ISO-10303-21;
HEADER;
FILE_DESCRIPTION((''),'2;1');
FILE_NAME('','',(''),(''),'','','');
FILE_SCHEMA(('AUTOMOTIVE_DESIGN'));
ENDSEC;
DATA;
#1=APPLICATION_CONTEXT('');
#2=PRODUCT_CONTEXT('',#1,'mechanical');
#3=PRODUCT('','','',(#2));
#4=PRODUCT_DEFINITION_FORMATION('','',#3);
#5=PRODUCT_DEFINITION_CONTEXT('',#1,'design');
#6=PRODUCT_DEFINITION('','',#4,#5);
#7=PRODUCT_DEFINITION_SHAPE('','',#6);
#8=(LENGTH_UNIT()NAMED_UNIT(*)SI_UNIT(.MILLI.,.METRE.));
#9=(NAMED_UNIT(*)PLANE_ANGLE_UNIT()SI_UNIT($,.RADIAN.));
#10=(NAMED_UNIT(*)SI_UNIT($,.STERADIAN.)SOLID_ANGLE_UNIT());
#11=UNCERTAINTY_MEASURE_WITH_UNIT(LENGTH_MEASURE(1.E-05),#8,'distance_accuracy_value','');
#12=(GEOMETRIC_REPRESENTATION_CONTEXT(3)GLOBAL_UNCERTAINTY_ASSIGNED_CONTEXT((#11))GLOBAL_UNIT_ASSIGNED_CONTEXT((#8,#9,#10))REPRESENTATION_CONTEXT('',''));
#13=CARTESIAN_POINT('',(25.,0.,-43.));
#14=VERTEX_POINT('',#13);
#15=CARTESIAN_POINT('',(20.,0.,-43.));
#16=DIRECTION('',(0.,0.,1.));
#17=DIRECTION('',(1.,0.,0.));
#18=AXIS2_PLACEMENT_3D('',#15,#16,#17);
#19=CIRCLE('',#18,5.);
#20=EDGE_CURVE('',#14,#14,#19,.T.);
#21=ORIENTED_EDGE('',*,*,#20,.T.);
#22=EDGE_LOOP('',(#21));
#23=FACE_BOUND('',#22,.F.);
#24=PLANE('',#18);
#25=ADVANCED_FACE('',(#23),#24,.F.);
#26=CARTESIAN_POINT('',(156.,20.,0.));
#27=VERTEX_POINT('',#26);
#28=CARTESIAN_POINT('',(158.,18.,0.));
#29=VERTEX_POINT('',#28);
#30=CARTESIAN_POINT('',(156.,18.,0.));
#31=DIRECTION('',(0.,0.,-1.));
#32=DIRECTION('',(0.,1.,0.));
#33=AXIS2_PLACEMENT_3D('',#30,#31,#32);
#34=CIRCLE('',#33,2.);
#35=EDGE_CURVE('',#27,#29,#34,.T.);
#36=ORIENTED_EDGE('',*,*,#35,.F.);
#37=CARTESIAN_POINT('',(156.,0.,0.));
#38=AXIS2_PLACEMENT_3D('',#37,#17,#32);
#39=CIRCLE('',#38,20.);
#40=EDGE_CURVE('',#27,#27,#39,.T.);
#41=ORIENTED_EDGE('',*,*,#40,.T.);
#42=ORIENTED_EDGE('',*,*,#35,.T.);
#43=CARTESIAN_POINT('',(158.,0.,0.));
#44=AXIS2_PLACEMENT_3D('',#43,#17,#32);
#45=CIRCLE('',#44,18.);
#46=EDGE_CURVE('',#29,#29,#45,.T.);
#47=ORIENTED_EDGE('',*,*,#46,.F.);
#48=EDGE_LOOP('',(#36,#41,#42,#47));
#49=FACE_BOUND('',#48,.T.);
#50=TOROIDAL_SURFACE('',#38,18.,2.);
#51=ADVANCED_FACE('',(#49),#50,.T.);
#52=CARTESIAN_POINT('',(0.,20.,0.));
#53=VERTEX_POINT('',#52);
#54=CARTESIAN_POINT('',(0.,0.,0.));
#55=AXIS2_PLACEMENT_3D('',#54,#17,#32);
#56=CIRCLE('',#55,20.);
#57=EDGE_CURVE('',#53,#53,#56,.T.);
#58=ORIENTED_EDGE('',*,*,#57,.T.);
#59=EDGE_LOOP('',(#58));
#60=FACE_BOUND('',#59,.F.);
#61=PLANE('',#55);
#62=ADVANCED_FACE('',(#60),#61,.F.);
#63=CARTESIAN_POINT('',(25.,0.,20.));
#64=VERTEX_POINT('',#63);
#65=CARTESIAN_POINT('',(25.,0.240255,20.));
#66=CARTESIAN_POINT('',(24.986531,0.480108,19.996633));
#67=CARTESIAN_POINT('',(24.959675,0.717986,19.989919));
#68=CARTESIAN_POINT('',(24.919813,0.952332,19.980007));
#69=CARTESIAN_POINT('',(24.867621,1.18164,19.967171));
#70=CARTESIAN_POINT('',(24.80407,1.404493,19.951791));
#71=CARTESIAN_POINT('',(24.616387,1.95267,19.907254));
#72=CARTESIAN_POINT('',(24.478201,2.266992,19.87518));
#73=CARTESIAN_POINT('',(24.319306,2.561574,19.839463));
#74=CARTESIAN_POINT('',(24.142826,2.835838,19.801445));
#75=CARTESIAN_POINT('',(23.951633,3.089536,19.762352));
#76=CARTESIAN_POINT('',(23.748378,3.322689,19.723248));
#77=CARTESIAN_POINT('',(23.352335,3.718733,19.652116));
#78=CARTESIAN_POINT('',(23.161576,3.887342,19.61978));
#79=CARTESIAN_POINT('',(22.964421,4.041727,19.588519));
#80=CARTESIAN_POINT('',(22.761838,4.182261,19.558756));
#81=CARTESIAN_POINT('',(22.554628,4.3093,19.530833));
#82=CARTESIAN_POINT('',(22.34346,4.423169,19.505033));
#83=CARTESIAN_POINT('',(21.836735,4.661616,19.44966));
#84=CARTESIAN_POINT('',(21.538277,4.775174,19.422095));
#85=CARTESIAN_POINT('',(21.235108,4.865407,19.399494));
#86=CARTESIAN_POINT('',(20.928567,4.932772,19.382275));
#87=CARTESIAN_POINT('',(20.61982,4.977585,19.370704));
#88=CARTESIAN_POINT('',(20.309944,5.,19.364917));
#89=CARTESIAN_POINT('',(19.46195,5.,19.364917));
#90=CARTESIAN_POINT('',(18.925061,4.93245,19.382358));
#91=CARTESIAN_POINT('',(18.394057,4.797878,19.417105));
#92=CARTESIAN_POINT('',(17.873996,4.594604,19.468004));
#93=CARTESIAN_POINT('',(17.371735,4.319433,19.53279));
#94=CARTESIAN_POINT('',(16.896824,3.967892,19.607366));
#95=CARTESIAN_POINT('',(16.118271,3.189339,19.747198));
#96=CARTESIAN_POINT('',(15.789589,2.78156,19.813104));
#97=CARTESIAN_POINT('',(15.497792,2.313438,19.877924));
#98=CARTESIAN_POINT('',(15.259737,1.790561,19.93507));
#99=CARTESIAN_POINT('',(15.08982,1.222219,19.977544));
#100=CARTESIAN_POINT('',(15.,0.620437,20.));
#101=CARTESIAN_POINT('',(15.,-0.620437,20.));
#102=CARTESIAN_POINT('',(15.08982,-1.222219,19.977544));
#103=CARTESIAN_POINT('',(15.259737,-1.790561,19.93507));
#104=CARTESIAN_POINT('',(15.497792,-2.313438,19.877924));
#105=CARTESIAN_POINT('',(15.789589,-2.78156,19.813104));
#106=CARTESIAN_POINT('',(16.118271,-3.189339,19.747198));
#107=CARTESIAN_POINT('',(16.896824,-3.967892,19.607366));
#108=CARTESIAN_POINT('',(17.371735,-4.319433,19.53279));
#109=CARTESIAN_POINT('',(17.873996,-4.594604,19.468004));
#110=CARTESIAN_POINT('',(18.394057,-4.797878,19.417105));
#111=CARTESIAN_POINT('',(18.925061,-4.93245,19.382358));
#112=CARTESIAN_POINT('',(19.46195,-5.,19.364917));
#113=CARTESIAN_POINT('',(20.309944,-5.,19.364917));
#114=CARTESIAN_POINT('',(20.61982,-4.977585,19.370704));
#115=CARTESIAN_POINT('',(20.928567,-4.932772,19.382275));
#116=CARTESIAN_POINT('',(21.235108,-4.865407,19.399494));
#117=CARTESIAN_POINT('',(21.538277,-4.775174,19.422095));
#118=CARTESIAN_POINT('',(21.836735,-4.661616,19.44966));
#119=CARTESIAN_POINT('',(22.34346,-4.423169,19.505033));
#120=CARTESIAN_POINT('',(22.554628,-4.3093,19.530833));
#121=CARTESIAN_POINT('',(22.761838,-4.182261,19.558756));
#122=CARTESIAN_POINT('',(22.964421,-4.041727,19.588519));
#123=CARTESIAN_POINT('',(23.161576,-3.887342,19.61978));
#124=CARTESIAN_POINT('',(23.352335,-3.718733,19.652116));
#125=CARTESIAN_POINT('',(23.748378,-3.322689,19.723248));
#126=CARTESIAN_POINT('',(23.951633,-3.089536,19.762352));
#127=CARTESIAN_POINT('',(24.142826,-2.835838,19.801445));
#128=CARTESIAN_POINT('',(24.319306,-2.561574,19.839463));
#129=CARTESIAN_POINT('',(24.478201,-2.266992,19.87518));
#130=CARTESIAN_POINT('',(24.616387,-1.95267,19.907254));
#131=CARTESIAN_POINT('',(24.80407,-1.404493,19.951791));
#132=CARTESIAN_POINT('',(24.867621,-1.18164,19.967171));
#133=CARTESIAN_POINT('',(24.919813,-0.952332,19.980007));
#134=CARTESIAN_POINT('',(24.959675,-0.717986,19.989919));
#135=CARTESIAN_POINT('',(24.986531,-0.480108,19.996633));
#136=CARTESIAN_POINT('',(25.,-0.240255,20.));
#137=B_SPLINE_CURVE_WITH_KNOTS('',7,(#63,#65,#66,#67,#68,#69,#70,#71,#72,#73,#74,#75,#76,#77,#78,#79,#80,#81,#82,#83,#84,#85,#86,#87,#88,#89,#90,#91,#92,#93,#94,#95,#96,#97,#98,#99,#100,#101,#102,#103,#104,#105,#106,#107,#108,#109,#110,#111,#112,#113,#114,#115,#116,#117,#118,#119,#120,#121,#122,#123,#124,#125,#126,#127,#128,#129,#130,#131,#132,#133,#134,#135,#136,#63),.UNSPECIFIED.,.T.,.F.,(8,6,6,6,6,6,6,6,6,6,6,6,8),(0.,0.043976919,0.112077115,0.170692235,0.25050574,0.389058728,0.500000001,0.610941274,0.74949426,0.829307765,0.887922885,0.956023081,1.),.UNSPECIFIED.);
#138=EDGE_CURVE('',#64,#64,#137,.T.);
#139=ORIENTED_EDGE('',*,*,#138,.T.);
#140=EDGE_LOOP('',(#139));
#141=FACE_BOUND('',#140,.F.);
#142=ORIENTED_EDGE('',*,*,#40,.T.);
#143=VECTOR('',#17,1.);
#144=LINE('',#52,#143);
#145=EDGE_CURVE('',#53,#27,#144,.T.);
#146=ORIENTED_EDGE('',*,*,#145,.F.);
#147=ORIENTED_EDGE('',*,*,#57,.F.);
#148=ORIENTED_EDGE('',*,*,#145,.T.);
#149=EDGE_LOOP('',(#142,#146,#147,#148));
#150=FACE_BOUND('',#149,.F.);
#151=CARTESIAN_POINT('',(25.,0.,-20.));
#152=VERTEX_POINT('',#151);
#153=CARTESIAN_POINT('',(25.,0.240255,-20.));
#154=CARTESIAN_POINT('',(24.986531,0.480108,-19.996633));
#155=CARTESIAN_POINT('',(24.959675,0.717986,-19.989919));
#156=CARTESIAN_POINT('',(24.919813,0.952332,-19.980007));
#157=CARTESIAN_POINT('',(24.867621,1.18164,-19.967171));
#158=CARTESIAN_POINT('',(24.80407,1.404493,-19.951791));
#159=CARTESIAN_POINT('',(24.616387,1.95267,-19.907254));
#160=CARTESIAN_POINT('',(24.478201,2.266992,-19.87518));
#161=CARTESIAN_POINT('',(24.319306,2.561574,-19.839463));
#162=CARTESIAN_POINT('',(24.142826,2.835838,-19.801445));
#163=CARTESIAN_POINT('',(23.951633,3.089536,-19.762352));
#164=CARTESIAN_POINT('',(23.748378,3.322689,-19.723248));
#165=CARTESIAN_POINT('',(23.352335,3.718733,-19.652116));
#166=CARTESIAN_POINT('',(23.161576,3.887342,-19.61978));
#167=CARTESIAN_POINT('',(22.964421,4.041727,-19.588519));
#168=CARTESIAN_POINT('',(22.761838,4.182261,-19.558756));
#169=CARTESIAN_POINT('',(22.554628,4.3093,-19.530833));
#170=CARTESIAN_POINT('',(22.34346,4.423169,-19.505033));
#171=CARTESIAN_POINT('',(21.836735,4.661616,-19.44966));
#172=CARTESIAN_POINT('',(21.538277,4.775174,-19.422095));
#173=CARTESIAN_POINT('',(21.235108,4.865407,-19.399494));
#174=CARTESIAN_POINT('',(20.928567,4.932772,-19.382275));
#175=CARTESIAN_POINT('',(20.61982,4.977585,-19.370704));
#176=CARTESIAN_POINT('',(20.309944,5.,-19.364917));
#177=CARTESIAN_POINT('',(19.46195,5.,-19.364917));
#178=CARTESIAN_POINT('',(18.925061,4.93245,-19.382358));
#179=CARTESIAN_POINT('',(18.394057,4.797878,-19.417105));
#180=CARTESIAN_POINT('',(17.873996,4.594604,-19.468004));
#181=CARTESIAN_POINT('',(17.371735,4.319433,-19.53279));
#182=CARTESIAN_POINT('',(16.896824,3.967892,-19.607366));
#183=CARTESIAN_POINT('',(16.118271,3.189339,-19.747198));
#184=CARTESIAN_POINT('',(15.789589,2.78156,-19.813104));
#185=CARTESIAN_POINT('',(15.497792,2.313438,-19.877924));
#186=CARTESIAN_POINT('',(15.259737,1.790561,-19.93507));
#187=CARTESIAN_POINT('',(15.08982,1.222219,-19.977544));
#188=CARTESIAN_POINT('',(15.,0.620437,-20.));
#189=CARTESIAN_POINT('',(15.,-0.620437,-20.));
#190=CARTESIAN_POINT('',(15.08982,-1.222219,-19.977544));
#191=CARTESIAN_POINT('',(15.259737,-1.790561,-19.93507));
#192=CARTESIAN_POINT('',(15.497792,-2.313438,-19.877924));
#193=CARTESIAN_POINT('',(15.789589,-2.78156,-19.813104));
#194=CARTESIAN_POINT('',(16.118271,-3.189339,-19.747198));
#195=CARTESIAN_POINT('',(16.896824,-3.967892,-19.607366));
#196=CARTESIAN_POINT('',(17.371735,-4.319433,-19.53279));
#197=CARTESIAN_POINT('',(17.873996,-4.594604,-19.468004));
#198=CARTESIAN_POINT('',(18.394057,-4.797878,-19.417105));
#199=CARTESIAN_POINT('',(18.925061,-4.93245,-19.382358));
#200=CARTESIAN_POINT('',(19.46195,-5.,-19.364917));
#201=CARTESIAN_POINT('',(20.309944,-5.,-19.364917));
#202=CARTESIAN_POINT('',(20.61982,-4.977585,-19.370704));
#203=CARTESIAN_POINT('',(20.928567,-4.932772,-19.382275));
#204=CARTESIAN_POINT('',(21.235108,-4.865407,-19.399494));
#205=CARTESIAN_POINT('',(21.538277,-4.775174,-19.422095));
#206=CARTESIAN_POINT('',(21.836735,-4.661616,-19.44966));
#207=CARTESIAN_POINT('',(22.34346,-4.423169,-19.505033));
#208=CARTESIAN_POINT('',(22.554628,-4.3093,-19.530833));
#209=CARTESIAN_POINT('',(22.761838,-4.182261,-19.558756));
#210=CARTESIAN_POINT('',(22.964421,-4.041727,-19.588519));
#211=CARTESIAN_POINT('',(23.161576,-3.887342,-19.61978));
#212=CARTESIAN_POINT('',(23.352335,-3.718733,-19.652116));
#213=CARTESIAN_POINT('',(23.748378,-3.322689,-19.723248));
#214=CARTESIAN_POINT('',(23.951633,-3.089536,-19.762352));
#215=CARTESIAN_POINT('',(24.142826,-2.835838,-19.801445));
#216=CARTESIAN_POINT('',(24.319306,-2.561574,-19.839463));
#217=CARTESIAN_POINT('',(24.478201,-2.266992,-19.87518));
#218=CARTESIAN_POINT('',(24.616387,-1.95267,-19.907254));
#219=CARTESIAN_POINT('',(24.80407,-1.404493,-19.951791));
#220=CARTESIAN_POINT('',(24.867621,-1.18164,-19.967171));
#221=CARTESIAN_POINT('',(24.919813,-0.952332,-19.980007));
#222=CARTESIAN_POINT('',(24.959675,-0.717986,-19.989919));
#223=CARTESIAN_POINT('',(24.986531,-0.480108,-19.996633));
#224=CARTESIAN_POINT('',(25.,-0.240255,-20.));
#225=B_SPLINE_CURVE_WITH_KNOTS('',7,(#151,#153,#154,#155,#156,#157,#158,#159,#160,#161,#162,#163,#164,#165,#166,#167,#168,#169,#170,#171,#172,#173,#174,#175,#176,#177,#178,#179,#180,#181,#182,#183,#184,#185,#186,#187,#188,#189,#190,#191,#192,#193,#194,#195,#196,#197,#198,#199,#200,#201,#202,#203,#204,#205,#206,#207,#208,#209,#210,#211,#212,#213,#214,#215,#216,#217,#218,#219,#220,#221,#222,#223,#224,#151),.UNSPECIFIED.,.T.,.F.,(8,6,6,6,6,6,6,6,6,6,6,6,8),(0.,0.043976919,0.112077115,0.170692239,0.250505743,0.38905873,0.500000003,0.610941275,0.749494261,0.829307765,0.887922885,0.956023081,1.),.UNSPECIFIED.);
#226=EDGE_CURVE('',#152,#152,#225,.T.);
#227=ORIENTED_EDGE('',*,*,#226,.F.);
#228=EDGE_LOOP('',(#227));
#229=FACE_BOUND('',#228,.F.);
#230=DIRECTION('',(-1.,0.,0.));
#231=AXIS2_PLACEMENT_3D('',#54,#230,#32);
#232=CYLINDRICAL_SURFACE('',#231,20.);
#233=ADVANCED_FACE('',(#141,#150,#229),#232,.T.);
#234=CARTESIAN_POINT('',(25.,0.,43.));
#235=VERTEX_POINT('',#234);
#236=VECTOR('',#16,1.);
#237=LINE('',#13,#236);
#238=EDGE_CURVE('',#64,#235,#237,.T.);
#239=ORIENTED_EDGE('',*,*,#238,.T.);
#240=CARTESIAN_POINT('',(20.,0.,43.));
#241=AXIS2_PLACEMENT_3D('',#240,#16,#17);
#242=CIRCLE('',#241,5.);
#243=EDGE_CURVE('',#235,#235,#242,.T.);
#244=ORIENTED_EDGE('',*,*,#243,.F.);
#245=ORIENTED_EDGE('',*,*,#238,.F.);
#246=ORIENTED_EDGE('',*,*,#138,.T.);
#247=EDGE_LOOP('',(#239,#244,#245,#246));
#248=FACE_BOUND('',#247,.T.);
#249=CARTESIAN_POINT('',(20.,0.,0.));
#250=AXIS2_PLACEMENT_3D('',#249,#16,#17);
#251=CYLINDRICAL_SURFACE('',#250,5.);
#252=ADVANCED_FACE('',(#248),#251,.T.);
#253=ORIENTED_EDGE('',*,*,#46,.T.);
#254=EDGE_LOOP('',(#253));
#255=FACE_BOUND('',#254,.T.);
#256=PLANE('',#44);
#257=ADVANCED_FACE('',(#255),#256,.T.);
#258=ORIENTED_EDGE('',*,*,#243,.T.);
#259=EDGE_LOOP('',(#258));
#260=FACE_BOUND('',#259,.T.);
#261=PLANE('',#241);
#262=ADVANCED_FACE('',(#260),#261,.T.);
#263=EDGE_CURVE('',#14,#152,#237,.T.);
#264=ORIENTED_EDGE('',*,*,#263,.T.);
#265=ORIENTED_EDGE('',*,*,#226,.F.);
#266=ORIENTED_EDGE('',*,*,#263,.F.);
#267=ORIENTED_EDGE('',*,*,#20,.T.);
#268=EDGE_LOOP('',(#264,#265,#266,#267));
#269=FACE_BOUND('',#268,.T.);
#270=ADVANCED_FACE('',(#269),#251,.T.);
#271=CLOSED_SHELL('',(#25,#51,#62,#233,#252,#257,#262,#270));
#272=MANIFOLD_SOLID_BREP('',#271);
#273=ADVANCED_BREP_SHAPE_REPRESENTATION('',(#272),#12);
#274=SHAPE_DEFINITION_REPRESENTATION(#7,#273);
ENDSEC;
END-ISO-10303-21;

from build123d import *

# Parameters (mm, degrees)
F0_R     = 20
F1_DEPTH = 158
F2_R     = 5
F3_DEPTH = 43
F4_R     = 2


with BuildPart() as f1:
    # F0 (on Right) → F1 (new body)
    with BuildSketch(Plane.YZ):
        Circle(F0_R)
    extrude(amount=F1_DEPTH)

    # F2 (on Top) → F3 (join, symmetric)
    with BuildSketch(Plane.XY):
        with Locations((20, 0)):
            Circle(F2_R)
    extrude(amount=F3_DEPTH, both=True)

    # F4
    f4_edges = [f1.edges().sort_by_distance(p)[0] for p in [
        (158, -20, 0),
    ]]
    fillet(f4_edges, radius=F4_R)


solid = f1.part
